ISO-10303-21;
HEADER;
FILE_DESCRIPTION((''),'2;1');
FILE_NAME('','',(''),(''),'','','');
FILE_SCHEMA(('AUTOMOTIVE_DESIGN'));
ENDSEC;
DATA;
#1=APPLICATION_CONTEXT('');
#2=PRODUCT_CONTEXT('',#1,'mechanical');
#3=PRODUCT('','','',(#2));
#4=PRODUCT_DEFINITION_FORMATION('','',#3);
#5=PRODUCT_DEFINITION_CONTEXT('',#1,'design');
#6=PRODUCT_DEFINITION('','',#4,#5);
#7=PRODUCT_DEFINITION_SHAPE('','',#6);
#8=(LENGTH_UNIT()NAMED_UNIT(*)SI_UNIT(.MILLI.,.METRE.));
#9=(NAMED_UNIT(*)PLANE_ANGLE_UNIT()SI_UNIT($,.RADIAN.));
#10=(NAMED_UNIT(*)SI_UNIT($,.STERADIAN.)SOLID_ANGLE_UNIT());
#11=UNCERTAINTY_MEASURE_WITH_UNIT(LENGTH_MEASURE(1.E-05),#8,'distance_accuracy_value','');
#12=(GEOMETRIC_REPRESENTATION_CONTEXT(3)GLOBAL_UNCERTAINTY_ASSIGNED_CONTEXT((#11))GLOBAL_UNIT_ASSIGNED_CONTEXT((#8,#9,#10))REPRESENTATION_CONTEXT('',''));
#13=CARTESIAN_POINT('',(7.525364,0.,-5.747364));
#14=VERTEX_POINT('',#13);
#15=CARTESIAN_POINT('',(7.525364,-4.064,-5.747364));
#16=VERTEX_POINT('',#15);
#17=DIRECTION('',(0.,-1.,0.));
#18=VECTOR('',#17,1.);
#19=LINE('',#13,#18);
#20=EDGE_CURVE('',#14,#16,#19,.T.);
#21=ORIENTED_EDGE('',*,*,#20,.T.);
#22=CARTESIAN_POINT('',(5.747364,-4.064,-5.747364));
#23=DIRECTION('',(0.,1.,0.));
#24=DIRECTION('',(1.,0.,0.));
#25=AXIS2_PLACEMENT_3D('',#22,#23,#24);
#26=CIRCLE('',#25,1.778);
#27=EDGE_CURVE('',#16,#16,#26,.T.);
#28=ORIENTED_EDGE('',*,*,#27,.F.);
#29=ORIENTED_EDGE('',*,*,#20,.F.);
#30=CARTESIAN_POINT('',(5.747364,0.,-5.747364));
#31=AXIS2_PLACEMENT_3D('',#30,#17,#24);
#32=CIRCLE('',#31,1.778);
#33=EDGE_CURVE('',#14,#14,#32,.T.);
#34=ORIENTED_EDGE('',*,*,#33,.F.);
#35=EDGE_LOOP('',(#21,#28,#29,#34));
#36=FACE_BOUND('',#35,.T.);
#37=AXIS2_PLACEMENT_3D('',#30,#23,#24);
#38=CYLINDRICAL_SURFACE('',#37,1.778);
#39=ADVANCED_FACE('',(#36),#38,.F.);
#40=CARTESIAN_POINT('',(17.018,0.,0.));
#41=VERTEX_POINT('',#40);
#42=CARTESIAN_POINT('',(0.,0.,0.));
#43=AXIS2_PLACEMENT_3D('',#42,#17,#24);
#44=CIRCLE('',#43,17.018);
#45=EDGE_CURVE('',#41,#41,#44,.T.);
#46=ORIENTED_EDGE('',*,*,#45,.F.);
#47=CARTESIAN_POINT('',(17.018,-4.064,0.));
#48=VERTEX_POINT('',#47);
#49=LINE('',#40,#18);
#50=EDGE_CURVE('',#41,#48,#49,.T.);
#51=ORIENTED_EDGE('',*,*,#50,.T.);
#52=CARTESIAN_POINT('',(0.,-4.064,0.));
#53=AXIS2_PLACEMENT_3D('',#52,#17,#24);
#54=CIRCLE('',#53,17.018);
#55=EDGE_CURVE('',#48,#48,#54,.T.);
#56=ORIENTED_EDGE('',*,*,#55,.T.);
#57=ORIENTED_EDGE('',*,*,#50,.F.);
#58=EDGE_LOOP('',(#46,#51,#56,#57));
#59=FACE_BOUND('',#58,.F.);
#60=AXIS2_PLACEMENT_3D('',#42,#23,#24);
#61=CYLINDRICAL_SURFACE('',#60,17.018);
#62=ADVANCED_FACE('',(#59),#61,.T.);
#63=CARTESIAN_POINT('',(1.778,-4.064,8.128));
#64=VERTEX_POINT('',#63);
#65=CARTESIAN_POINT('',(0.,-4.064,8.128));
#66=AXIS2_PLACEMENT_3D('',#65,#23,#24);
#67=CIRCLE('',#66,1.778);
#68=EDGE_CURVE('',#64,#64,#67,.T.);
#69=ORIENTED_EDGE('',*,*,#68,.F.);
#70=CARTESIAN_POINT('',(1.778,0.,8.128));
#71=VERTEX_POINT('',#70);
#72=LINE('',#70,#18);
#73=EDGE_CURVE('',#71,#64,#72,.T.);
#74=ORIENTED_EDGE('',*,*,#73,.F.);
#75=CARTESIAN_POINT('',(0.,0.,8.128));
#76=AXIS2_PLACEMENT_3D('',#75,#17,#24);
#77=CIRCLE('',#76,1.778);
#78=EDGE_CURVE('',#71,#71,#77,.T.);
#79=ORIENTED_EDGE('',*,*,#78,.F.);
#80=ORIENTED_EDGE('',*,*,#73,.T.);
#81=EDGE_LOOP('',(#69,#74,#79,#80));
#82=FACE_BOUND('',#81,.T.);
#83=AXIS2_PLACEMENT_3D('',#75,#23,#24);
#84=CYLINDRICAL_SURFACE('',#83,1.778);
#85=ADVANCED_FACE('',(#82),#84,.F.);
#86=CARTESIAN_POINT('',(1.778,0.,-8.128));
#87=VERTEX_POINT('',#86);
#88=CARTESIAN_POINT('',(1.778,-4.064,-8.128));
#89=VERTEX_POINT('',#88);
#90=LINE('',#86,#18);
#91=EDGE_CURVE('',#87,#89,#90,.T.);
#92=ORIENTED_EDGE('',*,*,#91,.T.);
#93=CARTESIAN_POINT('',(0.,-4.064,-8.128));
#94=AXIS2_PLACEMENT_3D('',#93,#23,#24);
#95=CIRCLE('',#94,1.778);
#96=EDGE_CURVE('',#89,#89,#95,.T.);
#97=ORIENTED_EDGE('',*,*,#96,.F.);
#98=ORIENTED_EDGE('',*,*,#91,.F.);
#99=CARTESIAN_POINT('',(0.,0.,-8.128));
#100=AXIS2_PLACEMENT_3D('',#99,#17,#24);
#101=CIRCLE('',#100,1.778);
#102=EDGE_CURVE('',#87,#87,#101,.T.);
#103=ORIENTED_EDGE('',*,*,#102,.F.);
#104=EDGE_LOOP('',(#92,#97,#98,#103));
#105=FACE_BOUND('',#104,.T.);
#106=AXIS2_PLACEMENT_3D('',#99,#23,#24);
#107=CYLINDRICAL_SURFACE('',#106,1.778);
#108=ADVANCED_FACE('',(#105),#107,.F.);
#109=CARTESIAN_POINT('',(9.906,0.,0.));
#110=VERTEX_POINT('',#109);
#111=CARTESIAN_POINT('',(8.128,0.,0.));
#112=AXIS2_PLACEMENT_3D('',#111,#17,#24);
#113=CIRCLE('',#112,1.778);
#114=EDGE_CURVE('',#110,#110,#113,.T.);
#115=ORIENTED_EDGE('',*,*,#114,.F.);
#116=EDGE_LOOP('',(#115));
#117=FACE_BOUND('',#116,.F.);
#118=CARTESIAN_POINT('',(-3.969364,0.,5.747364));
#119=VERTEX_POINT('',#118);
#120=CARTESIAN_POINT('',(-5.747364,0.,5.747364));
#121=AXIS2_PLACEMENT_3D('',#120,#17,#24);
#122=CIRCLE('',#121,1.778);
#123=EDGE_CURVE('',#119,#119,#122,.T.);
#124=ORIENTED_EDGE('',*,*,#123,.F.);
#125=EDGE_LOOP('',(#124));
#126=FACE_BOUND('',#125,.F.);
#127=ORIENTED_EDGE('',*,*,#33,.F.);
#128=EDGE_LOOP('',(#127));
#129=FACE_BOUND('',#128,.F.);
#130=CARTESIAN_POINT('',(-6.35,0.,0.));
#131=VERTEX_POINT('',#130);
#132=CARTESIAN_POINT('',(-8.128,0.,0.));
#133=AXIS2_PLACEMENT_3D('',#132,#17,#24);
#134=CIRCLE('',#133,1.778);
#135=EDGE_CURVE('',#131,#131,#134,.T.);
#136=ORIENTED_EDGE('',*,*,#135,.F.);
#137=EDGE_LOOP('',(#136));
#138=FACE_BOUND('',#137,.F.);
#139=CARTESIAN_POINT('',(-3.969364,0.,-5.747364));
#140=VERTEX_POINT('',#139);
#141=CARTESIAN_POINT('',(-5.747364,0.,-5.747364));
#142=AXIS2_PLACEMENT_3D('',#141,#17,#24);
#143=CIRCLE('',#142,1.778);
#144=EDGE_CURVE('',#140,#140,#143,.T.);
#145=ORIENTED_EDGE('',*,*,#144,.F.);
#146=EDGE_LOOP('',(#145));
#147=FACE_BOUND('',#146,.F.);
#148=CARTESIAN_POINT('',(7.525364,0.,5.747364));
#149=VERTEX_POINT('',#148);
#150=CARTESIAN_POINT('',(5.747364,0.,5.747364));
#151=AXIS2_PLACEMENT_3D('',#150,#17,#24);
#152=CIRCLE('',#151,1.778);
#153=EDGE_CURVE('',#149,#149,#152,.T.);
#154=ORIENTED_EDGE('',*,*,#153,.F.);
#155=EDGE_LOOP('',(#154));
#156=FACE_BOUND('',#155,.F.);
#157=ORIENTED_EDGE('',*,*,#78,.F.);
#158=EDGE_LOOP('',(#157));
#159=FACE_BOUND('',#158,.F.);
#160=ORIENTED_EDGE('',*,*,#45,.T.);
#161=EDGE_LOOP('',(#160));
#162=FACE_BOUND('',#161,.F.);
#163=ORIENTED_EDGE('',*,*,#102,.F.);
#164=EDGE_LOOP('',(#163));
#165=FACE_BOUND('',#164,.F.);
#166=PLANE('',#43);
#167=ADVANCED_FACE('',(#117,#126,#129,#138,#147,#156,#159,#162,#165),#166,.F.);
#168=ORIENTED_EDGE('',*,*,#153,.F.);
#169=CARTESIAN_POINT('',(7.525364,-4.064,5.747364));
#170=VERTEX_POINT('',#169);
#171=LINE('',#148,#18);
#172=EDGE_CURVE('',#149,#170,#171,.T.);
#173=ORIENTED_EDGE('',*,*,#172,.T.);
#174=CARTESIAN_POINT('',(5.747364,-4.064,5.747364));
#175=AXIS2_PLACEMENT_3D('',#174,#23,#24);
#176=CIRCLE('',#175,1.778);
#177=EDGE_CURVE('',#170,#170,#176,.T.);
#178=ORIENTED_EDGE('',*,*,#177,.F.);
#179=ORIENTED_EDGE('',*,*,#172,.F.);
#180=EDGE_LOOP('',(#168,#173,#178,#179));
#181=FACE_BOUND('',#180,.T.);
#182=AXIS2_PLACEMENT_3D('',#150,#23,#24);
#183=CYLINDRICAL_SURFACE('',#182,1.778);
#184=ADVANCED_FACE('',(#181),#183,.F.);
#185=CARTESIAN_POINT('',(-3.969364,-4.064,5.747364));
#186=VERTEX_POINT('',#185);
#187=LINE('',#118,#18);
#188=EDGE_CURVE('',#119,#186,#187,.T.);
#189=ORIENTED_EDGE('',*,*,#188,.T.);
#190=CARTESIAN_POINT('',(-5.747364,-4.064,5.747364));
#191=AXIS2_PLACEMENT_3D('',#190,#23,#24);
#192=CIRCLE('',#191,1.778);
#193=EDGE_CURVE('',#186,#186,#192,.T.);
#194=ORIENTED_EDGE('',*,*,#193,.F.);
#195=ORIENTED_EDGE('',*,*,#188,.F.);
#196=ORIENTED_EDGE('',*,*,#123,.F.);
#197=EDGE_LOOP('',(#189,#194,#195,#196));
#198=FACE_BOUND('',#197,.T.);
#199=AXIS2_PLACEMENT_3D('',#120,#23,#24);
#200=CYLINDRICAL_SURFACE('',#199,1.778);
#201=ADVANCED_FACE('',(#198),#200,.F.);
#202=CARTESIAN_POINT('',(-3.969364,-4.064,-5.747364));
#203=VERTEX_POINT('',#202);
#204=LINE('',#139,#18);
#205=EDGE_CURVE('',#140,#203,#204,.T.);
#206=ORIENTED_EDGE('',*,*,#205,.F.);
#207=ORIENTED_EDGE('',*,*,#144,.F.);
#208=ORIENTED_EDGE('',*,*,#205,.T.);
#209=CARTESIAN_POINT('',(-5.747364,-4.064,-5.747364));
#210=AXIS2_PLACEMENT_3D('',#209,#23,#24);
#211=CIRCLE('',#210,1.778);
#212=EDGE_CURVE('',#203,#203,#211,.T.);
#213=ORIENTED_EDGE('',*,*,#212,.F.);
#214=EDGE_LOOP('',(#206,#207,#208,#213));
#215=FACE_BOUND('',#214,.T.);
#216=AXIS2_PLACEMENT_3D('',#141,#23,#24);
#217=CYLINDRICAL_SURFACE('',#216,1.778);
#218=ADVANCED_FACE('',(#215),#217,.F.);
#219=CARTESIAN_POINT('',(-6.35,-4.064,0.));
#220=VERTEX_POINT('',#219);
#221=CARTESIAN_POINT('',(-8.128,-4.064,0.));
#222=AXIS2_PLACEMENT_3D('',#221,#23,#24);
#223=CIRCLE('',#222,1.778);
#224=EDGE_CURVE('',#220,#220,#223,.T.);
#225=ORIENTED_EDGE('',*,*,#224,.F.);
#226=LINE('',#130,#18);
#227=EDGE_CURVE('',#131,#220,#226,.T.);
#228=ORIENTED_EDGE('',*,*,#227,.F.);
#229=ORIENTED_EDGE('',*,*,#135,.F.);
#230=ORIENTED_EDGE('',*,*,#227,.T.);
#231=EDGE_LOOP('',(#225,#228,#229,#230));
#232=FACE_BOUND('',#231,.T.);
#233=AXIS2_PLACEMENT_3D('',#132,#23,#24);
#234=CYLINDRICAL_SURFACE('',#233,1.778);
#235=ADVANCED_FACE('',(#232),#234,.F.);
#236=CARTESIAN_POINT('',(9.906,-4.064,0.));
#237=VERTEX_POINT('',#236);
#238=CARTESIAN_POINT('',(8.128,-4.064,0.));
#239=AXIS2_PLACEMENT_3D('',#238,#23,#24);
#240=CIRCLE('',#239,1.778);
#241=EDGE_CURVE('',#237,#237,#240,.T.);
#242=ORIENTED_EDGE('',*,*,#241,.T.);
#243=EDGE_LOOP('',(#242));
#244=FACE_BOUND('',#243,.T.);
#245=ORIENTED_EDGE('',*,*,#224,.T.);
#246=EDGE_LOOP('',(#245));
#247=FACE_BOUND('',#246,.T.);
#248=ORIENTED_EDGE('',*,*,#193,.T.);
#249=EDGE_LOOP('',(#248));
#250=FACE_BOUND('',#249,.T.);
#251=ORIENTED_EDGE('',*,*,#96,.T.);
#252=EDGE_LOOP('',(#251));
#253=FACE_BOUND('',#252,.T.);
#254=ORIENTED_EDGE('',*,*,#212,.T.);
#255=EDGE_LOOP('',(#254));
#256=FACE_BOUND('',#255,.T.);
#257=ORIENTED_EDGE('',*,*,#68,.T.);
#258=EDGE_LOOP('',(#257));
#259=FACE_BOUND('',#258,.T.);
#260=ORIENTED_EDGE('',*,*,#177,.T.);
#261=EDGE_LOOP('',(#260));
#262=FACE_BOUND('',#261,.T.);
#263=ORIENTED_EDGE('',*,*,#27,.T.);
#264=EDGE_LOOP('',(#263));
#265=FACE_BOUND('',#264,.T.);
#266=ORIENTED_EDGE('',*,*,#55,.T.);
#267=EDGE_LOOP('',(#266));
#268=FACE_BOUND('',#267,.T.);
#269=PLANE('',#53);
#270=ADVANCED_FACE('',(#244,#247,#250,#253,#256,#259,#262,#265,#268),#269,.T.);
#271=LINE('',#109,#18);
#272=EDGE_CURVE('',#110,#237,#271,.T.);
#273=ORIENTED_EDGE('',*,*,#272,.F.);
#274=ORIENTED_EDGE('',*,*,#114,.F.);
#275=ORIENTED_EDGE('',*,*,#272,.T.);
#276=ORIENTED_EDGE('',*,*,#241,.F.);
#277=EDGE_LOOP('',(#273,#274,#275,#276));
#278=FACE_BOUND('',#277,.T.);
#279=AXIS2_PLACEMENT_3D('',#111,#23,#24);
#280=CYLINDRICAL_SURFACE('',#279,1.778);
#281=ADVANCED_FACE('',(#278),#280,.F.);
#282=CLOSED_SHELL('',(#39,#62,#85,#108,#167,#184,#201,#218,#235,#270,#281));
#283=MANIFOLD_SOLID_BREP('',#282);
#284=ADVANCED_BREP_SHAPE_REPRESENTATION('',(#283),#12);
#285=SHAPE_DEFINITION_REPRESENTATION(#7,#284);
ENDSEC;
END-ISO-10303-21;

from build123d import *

# Parameters (mm, degrees)
F0_R     = 17.018
F2_DEPTH = 4.064
F1_R     = 1.778
F3_DEPTH = 25.4


with BuildPart() as f2:
    # F0 (on Front) → F2 (new body)
    with BuildSketch(Plane.XZ):
        Circle(F0_R)
    extrude(amount=F2_DEPTH)

    # F1 (on face) → F3 (cut)
    with BuildSketch(Plane.XZ):
        with Locations((0, 8.128)):
            Circle(F1_R)
        with Locations((-5.747364, 5.747364)):
            Circle(F1_R)
        with Locations((-8.128, 0)):
            Circle(F1_R)
        with Locations((-5.747364, -5.747364)):
            Circle(F1_R)
        with Locations((0, -8.128)):
            Circle(F1_R)
        with Locations((5.747364, -5.747364)):
            Circle(F1_R)
        with Locations((8.128, 0)):
            Circle(F1_R)
        with Locations((5.747364, 5.747364)):
            Circle(F1_R)
    extrude(amount=F3_DEPTH, mode=Mode.SUBTRACT)


solid = f2.part
